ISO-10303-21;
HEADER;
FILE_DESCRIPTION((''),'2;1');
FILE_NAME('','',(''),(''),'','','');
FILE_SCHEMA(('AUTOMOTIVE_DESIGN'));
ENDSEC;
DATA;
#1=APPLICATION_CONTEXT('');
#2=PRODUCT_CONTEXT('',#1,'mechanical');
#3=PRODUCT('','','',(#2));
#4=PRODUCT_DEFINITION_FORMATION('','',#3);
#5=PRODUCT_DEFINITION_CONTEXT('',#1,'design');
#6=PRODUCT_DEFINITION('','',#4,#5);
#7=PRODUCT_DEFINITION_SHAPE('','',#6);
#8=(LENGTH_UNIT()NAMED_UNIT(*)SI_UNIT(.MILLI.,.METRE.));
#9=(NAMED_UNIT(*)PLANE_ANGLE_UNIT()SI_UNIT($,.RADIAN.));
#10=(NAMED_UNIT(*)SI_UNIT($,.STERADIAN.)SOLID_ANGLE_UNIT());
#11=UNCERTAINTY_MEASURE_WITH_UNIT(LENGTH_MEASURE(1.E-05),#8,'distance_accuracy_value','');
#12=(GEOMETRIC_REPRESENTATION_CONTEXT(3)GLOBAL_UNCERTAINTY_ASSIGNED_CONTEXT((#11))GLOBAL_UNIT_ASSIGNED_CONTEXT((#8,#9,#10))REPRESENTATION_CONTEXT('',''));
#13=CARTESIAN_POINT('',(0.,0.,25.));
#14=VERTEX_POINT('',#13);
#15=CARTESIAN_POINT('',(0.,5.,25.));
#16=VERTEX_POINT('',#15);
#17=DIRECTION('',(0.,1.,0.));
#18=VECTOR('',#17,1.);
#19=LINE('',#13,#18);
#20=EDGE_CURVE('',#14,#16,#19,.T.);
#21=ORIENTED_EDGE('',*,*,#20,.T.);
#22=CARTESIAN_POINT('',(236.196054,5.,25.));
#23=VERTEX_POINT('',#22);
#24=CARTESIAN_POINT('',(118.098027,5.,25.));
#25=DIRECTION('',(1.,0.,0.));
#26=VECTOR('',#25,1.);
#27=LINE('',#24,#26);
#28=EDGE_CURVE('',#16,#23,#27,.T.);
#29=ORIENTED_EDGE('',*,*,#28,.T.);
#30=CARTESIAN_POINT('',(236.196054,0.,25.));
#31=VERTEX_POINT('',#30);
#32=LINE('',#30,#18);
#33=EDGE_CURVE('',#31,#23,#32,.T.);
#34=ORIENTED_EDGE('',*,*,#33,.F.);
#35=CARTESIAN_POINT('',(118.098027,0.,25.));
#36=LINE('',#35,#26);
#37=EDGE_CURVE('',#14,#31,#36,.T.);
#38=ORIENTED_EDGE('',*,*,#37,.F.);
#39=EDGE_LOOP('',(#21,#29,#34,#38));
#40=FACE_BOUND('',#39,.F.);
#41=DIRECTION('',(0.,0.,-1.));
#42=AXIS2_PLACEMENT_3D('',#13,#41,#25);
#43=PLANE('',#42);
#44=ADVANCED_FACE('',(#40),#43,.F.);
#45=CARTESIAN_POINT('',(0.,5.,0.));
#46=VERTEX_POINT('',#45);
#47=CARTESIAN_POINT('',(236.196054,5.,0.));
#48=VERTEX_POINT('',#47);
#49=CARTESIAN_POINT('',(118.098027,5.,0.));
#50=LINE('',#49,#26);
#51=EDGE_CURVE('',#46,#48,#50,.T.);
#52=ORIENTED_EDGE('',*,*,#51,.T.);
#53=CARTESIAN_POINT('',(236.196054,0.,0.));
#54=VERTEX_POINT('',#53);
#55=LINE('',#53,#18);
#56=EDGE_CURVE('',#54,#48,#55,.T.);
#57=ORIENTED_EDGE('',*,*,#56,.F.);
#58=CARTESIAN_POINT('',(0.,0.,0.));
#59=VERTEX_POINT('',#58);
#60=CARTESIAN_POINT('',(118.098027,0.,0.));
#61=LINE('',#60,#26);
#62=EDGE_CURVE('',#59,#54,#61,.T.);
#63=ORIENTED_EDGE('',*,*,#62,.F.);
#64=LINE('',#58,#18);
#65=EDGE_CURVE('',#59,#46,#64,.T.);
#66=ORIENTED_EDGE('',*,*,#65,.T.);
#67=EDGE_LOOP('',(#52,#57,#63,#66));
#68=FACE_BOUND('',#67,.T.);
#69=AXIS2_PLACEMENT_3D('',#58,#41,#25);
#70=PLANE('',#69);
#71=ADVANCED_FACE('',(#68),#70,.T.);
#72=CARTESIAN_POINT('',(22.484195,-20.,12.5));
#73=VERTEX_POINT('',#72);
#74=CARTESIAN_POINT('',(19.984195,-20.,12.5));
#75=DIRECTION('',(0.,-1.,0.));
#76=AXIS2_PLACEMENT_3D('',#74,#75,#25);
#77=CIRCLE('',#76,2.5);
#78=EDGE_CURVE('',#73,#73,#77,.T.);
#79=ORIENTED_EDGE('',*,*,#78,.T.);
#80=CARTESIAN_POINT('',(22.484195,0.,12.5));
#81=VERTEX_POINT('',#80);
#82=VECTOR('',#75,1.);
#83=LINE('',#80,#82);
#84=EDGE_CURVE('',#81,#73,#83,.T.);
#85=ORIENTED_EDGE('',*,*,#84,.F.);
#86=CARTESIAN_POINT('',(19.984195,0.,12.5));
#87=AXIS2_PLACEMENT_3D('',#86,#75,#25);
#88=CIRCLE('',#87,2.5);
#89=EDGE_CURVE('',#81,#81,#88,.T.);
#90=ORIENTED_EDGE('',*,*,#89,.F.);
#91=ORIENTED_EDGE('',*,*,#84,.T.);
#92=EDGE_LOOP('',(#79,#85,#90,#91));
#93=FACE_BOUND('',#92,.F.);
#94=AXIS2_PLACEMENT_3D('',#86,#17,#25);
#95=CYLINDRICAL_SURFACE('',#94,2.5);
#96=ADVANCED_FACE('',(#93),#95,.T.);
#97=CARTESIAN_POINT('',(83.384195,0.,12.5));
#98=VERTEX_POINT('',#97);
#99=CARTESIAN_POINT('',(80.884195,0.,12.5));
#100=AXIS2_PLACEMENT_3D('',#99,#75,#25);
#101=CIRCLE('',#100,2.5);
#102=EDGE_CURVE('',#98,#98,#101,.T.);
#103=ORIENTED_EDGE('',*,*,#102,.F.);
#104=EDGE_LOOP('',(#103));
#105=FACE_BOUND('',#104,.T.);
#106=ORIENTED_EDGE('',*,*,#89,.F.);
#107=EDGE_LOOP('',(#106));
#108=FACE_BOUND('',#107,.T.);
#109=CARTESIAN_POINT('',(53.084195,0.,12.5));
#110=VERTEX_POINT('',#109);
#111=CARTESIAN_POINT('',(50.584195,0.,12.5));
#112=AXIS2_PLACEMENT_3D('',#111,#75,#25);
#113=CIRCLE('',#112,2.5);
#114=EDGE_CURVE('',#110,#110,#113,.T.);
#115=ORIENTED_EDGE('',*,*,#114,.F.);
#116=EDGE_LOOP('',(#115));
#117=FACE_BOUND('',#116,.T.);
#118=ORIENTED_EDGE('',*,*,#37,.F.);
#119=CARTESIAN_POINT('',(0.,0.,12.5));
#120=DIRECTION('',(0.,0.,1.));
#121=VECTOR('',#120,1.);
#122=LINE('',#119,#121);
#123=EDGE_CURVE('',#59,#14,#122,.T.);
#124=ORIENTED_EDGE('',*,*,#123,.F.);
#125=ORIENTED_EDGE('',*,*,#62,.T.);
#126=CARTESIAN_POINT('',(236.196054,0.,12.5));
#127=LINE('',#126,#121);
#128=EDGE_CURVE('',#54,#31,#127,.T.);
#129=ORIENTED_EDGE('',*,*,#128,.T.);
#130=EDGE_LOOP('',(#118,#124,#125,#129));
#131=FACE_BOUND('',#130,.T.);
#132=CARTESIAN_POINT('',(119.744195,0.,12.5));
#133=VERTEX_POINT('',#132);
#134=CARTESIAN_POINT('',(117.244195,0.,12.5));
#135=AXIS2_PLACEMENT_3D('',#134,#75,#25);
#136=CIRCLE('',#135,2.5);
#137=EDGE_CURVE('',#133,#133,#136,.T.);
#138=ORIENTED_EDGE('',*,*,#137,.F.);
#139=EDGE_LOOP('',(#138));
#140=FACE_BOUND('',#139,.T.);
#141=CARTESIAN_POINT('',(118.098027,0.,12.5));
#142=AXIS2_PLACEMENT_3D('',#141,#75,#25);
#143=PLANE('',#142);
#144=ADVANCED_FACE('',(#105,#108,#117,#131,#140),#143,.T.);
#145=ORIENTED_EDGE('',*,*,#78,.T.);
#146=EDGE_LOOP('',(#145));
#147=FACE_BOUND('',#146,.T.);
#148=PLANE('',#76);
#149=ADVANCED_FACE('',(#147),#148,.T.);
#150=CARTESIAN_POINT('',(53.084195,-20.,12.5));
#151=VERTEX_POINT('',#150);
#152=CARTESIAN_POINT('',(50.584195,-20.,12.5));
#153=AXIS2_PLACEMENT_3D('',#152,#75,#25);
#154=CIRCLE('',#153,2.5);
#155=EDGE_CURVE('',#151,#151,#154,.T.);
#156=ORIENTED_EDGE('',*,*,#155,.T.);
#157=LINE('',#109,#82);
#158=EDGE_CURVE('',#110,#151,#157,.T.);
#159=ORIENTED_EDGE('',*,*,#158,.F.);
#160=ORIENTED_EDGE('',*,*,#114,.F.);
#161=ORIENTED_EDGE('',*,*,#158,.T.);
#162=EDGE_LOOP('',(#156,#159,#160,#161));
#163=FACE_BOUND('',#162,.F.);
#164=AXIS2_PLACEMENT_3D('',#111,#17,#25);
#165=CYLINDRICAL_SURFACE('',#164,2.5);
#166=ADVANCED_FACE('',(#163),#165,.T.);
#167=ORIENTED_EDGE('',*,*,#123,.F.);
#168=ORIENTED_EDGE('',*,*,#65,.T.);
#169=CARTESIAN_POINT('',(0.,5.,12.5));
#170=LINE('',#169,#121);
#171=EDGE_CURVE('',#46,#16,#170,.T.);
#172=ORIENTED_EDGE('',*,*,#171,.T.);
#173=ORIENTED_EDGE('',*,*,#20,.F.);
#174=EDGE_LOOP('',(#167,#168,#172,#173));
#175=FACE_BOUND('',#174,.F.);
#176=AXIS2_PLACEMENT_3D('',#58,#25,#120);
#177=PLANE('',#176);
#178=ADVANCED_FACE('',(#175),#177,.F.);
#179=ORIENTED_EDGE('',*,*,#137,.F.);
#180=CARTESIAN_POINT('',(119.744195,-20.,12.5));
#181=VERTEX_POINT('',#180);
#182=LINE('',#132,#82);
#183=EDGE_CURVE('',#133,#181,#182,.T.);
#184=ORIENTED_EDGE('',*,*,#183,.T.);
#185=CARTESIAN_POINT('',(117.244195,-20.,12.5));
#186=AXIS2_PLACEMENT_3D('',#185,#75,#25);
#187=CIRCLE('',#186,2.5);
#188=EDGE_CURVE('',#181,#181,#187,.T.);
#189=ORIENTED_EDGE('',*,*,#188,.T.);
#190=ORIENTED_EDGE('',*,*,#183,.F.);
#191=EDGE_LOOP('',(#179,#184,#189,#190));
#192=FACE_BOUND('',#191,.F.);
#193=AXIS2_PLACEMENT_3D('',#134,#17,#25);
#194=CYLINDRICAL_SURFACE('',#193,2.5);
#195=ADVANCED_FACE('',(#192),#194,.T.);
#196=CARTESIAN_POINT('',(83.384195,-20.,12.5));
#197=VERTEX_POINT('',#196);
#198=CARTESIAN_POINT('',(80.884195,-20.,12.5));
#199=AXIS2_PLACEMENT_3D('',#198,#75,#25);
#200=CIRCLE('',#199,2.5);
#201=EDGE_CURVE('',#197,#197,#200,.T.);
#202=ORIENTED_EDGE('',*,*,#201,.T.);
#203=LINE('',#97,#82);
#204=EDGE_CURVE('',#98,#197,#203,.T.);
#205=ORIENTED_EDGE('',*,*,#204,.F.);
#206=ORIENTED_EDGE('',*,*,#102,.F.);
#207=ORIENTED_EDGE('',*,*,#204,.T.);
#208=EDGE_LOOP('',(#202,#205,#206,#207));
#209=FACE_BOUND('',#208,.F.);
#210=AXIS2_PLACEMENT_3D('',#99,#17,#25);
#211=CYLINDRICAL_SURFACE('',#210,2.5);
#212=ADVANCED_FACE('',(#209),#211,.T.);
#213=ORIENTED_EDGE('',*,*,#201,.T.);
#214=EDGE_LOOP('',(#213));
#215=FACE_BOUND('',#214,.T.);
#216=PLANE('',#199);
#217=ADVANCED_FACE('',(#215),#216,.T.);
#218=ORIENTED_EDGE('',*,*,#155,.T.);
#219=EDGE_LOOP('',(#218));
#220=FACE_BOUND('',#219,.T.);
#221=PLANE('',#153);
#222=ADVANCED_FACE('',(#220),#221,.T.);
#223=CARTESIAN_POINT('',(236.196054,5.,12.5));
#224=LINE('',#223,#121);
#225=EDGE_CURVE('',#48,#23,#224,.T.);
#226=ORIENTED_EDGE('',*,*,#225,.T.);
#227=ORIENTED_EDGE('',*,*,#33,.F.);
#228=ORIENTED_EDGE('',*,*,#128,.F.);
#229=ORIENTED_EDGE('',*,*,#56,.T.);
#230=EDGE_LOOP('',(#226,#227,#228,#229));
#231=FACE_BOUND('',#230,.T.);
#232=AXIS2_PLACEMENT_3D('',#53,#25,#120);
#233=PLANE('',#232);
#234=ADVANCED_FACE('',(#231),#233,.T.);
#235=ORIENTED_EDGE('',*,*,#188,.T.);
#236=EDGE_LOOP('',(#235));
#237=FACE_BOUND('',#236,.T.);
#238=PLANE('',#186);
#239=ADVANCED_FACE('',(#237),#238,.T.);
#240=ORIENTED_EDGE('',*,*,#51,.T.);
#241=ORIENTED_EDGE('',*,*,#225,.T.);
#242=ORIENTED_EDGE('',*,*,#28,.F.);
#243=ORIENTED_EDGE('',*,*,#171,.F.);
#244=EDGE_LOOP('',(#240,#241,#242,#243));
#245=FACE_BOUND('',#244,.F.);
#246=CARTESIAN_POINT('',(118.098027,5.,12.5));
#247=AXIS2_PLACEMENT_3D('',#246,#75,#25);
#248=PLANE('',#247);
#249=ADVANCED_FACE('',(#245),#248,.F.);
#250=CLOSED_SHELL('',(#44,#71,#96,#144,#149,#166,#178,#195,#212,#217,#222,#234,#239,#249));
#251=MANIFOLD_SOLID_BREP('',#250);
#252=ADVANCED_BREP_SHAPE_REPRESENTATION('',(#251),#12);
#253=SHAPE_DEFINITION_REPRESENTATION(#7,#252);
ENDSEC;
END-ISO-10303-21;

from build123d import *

# Parameters (mm, degrees)
F0_W     = 236.196054
F0_H     = 25
F1_DEPTH = 5
F2_R     = 2.5
F3_DEPTH = 20


with BuildPart() as f1:
    # F0 (on Front) → F1 (new body)
    with BuildSketch(Plane.XZ):
        with Locations((118.098027, 12.5)):
            Rectangle(F0_W, F0_H)
    extrude(amount=-F1_DEPTH)

    # F2 (on face) → F3 (join)
    with BuildSketch(Plane.XZ):
        with Locations((19.984195, 12.5)):
            Circle(F2_R)
        with Locations((50.584195, 12.5)):
            Circle(F2_R)
        with Locations((80.884195, 12.5)):
            Circle(F2_R)
        with Locations((117.244195, 12.5)):
            Circle(F2_R)
    extrude(amount=F3_DEPTH)


solid = f1.part
